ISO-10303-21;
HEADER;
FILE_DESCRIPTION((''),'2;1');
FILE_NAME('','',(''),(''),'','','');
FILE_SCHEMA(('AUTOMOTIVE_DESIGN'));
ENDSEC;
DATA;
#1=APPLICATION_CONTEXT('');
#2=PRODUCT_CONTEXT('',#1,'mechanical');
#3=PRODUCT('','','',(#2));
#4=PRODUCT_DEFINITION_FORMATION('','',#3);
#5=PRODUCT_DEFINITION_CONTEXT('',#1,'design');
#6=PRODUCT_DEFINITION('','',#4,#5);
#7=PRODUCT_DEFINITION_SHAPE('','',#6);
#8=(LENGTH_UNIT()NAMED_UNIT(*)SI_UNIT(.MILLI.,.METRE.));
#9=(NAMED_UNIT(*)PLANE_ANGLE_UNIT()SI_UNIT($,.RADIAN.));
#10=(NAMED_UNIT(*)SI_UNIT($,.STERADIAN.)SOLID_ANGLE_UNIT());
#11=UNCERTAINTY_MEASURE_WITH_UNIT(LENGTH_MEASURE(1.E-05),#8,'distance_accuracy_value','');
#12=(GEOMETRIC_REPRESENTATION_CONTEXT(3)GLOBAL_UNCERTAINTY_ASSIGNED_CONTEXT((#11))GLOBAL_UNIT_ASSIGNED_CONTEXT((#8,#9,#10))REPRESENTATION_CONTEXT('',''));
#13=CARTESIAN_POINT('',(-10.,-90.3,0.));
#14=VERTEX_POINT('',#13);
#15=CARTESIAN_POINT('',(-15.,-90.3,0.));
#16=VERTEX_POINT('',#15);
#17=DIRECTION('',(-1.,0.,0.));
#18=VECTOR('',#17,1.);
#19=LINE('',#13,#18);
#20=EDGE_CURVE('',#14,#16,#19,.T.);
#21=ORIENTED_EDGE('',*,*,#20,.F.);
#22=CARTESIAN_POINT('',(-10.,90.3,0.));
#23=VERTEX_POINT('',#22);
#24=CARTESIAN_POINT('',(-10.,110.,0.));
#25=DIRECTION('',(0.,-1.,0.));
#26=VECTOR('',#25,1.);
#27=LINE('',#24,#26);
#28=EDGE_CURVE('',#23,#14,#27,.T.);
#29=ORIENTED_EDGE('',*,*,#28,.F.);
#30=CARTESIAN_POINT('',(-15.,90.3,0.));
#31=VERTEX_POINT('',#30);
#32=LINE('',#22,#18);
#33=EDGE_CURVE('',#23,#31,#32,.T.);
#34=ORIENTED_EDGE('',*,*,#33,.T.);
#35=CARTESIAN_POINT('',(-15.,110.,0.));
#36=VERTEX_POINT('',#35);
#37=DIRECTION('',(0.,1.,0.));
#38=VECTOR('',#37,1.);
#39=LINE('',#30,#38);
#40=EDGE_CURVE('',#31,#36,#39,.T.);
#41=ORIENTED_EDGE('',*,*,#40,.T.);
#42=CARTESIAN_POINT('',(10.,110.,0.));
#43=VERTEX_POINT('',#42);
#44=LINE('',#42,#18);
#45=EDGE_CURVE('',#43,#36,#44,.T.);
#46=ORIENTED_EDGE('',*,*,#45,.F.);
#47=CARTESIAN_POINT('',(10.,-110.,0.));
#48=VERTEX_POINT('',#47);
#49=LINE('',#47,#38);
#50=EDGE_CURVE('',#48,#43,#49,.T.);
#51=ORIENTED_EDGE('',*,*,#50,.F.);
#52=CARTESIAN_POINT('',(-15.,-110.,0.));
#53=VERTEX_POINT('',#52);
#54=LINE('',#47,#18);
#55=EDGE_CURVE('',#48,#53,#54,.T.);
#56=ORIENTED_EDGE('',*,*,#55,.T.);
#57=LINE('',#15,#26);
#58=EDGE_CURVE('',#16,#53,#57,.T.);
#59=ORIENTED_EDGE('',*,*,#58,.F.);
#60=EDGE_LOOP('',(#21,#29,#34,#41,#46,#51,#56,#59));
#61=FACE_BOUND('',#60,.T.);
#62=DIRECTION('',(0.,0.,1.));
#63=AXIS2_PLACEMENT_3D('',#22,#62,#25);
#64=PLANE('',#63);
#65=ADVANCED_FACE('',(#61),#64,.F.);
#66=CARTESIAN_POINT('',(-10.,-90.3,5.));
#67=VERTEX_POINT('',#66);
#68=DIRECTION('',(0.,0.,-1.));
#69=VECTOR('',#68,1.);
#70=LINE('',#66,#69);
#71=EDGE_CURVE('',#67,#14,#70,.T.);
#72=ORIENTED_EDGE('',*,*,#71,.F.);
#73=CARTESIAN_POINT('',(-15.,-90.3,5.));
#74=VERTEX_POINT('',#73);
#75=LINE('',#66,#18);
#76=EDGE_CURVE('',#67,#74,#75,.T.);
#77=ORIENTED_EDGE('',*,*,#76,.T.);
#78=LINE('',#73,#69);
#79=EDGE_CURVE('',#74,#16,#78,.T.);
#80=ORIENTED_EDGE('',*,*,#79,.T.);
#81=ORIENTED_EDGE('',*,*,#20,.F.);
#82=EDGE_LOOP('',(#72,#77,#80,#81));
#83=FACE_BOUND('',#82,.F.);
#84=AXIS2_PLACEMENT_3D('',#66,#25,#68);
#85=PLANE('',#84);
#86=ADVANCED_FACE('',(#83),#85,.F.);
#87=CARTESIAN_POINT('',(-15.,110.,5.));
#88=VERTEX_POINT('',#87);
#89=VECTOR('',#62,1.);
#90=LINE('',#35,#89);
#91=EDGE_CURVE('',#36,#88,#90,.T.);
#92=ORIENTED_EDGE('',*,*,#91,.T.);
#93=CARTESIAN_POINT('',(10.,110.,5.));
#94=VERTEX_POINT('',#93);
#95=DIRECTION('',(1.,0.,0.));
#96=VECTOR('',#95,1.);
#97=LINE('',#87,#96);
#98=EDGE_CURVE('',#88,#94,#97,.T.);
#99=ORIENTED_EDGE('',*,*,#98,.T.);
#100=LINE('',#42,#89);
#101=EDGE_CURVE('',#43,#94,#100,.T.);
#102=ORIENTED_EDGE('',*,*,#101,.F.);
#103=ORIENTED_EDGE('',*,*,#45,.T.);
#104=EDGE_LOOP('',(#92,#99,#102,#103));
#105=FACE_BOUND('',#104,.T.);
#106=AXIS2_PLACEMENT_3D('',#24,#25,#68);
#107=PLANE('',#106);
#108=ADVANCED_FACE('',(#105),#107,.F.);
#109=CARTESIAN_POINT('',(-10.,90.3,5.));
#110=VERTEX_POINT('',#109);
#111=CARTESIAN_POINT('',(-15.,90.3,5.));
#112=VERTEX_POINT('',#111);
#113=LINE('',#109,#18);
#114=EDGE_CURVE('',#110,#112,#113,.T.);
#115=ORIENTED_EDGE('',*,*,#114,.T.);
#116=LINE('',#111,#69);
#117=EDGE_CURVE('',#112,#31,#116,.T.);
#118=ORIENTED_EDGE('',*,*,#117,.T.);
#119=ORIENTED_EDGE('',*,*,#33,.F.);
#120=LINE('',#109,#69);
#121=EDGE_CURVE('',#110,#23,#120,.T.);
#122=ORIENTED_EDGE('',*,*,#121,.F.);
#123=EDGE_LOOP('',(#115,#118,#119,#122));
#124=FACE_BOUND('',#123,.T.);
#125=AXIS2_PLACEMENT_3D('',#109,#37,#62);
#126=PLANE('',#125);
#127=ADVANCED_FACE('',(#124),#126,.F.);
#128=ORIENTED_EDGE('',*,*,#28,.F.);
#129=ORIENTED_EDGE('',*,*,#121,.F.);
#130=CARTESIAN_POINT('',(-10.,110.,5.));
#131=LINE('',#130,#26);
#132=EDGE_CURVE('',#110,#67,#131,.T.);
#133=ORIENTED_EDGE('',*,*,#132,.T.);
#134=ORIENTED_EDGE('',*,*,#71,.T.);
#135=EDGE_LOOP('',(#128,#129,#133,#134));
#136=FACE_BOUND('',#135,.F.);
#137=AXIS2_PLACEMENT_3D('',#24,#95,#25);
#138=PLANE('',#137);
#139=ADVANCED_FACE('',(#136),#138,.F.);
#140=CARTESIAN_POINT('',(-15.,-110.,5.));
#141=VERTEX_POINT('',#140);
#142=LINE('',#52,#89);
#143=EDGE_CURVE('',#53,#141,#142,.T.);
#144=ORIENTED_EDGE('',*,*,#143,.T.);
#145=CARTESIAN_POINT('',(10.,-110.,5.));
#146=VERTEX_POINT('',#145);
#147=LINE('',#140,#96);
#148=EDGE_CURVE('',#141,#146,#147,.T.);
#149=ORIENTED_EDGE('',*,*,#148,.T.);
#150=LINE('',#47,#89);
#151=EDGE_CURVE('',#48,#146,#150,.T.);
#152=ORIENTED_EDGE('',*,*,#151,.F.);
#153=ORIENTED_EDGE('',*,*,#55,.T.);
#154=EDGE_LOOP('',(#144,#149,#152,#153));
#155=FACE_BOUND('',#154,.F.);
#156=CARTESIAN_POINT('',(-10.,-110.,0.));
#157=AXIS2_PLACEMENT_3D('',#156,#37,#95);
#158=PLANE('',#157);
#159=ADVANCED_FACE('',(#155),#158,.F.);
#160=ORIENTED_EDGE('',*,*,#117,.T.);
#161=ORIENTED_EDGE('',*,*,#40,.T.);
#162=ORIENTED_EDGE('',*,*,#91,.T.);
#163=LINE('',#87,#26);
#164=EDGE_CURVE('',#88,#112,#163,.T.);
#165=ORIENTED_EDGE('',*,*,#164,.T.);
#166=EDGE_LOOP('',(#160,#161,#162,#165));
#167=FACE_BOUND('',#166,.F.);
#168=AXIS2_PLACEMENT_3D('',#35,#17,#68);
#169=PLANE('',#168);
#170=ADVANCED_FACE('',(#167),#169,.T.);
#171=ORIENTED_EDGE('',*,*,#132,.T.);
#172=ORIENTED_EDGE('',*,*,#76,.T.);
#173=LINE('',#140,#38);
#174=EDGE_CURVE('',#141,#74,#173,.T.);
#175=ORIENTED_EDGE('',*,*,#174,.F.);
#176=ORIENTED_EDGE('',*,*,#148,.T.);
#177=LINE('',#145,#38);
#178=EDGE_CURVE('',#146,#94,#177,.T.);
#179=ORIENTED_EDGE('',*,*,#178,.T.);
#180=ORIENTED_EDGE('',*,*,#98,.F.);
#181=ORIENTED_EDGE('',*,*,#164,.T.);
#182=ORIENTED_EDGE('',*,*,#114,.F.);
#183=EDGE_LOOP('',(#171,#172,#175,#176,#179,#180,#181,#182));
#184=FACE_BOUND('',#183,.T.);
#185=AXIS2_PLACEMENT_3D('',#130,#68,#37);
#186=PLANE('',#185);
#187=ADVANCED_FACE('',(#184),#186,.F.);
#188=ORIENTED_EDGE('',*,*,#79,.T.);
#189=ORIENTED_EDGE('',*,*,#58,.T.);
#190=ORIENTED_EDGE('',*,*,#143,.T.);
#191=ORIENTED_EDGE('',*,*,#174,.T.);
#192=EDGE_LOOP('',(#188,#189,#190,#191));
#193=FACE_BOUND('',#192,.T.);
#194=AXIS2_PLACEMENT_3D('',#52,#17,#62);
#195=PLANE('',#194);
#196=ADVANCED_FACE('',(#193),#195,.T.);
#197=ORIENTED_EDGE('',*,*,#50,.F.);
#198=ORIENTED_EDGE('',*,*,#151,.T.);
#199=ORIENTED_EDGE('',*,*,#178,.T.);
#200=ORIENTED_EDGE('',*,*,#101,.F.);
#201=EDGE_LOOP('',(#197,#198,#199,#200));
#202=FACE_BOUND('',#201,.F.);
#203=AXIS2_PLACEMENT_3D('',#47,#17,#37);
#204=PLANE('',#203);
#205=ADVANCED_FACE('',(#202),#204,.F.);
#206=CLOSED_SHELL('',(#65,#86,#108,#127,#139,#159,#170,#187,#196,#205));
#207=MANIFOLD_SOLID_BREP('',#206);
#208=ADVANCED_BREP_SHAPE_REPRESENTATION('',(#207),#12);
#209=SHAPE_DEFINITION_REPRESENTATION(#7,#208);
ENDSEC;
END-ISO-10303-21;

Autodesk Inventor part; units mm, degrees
ref_plane "YZ Plane" through (0, 0, 0) normal (1, 0, 0) x (0, 1, 0)
ref_plane "XZ Plane" through (0, 0, 0) normal (0, 1, 0) x (-1, 0, 0)
ref_plane "XY Plane" through (0, 0, 0) normal (0, 0, 1) x (1, 0, 0)
sketch "Sketch1" plane through (0, 0, 0) normal (0, 0, 1) x (1, 0, 0)
  line L0 (-10, -110) -> (10, -110)
  line L1 (10, -110) -> (10, 110)
  line L2 (10, 110) -> (-10, 110)
  line L3 (-10, 110) -> (-10, -110)
  point P0 (0, 0)
  dimension "width" = 20
  dimension "d1" = 10
  dimension "d2" = 220
  dimension "d3" = 110
extrude "Extrusion1" add sketch "Sketch1" along normal blind 5
sketch "Sketch4" plane through (-10, -110, 0) normal (-1, 0, 0) x (0, 0, 1)
  line L0 (5, 0) -> (5, 220) projected
  line L1 (0, 0) -> (5, 0)
  line L2 (5, 0) -> (5, 19.7)
  line L3 (5, 19.7) -> (0, 19.7)
  line L4 (0, 19.7) -> (0, 0)
  point P0 (0, 110)
  dimension "d29" = 19.7
extrude "Extrusion4" add sketch "Sketch4" along normal blind 5
mirror "Mirror1" about plane through (0, 0, 0) normal (0, 1, 0) of "Extrusion4"
equation "\"d1\" = 0.5 * width"
equation "\"d3\" = 0.5 * d2"
properties part number "EBF_001.1-side-plate_cup-holder"
